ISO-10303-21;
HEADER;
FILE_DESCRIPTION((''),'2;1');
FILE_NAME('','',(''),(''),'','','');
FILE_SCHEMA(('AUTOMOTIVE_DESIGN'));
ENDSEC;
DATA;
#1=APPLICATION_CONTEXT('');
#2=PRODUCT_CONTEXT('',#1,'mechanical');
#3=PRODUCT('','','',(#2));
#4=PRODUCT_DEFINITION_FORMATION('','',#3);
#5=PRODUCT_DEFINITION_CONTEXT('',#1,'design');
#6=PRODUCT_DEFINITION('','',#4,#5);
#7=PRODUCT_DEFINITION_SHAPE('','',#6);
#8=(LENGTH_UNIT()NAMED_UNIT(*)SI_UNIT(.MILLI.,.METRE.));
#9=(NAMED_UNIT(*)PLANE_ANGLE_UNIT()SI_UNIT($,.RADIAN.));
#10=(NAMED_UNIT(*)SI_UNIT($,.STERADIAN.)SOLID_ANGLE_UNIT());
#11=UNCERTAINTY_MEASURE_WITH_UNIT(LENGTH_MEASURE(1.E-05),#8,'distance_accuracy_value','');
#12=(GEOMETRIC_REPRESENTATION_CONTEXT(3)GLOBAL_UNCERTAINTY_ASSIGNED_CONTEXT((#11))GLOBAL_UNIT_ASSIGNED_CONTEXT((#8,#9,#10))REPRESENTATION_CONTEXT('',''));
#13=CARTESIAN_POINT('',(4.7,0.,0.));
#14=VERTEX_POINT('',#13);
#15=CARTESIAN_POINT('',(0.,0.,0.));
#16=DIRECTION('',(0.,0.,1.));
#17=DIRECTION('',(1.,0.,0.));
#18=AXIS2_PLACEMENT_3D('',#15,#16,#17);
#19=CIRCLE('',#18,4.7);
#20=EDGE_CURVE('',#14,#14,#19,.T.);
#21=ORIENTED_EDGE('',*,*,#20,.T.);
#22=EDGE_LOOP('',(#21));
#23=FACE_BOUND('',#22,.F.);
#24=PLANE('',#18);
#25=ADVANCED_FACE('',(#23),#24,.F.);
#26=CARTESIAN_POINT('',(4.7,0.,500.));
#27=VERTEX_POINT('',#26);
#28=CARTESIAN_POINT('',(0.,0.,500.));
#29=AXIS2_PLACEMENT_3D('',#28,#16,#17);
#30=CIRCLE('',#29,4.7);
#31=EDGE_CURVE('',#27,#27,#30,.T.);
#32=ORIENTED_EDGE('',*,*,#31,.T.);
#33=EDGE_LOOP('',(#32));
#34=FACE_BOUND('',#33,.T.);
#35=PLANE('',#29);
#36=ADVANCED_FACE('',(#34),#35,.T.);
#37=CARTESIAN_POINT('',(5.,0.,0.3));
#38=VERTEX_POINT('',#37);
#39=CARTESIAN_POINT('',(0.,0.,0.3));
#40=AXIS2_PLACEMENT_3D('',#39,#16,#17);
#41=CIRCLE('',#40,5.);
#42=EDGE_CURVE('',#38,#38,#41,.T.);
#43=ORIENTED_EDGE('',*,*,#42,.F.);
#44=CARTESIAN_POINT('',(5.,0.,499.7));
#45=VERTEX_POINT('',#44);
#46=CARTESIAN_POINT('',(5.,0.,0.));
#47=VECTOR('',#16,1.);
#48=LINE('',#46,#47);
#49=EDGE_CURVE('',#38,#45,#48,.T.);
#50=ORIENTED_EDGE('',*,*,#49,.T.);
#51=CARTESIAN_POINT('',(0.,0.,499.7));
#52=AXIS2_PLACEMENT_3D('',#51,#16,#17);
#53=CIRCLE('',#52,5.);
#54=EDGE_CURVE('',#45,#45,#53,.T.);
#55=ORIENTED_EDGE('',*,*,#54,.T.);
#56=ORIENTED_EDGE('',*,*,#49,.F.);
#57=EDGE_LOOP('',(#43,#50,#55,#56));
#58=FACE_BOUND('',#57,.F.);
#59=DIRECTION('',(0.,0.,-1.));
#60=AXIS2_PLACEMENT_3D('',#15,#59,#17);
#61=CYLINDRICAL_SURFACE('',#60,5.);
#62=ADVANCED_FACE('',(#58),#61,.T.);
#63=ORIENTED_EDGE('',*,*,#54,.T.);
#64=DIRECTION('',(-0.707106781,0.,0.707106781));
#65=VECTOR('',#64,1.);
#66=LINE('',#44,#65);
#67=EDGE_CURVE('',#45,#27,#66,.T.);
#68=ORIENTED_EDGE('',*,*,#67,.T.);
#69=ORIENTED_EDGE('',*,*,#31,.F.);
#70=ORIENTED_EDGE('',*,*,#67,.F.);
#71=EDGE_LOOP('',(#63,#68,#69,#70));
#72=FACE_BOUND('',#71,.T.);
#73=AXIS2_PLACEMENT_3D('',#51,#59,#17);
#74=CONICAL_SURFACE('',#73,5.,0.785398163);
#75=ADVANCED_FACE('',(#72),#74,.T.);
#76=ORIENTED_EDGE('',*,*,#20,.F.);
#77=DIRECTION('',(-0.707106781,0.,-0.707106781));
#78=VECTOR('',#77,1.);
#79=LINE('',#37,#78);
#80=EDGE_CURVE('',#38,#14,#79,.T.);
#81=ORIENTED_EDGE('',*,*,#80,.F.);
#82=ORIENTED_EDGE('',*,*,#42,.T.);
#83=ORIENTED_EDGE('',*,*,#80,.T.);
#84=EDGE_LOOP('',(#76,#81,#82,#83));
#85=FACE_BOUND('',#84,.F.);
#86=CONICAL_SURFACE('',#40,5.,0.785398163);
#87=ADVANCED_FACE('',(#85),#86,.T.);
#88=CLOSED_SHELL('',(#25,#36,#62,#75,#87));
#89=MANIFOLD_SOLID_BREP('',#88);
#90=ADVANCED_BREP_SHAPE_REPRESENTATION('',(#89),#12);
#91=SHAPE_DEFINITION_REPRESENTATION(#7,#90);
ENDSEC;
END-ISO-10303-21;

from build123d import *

# Parameters (mm, degrees)
SKETCH_R     = 5
PAD_DEPTH    = 500
CHAMFER_SIZE = 0.3


with BuildPart() as part:
    # Sketch → Pad (new body)
    with BuildSketch(Plane.XY):
        Circle(SKETCH_R)
    extrude(amount=PAD_DEPTH)

    # Chamfer
    chamfer_edges = [part.edges().sort_by_distance(p)[0] for p in [
        (-5, 0, 500),
        (-5, 0, 0),
    ]]
    chamfer(chamfer_edges, length=CHAMFER_SIZE)


solid = part.part
